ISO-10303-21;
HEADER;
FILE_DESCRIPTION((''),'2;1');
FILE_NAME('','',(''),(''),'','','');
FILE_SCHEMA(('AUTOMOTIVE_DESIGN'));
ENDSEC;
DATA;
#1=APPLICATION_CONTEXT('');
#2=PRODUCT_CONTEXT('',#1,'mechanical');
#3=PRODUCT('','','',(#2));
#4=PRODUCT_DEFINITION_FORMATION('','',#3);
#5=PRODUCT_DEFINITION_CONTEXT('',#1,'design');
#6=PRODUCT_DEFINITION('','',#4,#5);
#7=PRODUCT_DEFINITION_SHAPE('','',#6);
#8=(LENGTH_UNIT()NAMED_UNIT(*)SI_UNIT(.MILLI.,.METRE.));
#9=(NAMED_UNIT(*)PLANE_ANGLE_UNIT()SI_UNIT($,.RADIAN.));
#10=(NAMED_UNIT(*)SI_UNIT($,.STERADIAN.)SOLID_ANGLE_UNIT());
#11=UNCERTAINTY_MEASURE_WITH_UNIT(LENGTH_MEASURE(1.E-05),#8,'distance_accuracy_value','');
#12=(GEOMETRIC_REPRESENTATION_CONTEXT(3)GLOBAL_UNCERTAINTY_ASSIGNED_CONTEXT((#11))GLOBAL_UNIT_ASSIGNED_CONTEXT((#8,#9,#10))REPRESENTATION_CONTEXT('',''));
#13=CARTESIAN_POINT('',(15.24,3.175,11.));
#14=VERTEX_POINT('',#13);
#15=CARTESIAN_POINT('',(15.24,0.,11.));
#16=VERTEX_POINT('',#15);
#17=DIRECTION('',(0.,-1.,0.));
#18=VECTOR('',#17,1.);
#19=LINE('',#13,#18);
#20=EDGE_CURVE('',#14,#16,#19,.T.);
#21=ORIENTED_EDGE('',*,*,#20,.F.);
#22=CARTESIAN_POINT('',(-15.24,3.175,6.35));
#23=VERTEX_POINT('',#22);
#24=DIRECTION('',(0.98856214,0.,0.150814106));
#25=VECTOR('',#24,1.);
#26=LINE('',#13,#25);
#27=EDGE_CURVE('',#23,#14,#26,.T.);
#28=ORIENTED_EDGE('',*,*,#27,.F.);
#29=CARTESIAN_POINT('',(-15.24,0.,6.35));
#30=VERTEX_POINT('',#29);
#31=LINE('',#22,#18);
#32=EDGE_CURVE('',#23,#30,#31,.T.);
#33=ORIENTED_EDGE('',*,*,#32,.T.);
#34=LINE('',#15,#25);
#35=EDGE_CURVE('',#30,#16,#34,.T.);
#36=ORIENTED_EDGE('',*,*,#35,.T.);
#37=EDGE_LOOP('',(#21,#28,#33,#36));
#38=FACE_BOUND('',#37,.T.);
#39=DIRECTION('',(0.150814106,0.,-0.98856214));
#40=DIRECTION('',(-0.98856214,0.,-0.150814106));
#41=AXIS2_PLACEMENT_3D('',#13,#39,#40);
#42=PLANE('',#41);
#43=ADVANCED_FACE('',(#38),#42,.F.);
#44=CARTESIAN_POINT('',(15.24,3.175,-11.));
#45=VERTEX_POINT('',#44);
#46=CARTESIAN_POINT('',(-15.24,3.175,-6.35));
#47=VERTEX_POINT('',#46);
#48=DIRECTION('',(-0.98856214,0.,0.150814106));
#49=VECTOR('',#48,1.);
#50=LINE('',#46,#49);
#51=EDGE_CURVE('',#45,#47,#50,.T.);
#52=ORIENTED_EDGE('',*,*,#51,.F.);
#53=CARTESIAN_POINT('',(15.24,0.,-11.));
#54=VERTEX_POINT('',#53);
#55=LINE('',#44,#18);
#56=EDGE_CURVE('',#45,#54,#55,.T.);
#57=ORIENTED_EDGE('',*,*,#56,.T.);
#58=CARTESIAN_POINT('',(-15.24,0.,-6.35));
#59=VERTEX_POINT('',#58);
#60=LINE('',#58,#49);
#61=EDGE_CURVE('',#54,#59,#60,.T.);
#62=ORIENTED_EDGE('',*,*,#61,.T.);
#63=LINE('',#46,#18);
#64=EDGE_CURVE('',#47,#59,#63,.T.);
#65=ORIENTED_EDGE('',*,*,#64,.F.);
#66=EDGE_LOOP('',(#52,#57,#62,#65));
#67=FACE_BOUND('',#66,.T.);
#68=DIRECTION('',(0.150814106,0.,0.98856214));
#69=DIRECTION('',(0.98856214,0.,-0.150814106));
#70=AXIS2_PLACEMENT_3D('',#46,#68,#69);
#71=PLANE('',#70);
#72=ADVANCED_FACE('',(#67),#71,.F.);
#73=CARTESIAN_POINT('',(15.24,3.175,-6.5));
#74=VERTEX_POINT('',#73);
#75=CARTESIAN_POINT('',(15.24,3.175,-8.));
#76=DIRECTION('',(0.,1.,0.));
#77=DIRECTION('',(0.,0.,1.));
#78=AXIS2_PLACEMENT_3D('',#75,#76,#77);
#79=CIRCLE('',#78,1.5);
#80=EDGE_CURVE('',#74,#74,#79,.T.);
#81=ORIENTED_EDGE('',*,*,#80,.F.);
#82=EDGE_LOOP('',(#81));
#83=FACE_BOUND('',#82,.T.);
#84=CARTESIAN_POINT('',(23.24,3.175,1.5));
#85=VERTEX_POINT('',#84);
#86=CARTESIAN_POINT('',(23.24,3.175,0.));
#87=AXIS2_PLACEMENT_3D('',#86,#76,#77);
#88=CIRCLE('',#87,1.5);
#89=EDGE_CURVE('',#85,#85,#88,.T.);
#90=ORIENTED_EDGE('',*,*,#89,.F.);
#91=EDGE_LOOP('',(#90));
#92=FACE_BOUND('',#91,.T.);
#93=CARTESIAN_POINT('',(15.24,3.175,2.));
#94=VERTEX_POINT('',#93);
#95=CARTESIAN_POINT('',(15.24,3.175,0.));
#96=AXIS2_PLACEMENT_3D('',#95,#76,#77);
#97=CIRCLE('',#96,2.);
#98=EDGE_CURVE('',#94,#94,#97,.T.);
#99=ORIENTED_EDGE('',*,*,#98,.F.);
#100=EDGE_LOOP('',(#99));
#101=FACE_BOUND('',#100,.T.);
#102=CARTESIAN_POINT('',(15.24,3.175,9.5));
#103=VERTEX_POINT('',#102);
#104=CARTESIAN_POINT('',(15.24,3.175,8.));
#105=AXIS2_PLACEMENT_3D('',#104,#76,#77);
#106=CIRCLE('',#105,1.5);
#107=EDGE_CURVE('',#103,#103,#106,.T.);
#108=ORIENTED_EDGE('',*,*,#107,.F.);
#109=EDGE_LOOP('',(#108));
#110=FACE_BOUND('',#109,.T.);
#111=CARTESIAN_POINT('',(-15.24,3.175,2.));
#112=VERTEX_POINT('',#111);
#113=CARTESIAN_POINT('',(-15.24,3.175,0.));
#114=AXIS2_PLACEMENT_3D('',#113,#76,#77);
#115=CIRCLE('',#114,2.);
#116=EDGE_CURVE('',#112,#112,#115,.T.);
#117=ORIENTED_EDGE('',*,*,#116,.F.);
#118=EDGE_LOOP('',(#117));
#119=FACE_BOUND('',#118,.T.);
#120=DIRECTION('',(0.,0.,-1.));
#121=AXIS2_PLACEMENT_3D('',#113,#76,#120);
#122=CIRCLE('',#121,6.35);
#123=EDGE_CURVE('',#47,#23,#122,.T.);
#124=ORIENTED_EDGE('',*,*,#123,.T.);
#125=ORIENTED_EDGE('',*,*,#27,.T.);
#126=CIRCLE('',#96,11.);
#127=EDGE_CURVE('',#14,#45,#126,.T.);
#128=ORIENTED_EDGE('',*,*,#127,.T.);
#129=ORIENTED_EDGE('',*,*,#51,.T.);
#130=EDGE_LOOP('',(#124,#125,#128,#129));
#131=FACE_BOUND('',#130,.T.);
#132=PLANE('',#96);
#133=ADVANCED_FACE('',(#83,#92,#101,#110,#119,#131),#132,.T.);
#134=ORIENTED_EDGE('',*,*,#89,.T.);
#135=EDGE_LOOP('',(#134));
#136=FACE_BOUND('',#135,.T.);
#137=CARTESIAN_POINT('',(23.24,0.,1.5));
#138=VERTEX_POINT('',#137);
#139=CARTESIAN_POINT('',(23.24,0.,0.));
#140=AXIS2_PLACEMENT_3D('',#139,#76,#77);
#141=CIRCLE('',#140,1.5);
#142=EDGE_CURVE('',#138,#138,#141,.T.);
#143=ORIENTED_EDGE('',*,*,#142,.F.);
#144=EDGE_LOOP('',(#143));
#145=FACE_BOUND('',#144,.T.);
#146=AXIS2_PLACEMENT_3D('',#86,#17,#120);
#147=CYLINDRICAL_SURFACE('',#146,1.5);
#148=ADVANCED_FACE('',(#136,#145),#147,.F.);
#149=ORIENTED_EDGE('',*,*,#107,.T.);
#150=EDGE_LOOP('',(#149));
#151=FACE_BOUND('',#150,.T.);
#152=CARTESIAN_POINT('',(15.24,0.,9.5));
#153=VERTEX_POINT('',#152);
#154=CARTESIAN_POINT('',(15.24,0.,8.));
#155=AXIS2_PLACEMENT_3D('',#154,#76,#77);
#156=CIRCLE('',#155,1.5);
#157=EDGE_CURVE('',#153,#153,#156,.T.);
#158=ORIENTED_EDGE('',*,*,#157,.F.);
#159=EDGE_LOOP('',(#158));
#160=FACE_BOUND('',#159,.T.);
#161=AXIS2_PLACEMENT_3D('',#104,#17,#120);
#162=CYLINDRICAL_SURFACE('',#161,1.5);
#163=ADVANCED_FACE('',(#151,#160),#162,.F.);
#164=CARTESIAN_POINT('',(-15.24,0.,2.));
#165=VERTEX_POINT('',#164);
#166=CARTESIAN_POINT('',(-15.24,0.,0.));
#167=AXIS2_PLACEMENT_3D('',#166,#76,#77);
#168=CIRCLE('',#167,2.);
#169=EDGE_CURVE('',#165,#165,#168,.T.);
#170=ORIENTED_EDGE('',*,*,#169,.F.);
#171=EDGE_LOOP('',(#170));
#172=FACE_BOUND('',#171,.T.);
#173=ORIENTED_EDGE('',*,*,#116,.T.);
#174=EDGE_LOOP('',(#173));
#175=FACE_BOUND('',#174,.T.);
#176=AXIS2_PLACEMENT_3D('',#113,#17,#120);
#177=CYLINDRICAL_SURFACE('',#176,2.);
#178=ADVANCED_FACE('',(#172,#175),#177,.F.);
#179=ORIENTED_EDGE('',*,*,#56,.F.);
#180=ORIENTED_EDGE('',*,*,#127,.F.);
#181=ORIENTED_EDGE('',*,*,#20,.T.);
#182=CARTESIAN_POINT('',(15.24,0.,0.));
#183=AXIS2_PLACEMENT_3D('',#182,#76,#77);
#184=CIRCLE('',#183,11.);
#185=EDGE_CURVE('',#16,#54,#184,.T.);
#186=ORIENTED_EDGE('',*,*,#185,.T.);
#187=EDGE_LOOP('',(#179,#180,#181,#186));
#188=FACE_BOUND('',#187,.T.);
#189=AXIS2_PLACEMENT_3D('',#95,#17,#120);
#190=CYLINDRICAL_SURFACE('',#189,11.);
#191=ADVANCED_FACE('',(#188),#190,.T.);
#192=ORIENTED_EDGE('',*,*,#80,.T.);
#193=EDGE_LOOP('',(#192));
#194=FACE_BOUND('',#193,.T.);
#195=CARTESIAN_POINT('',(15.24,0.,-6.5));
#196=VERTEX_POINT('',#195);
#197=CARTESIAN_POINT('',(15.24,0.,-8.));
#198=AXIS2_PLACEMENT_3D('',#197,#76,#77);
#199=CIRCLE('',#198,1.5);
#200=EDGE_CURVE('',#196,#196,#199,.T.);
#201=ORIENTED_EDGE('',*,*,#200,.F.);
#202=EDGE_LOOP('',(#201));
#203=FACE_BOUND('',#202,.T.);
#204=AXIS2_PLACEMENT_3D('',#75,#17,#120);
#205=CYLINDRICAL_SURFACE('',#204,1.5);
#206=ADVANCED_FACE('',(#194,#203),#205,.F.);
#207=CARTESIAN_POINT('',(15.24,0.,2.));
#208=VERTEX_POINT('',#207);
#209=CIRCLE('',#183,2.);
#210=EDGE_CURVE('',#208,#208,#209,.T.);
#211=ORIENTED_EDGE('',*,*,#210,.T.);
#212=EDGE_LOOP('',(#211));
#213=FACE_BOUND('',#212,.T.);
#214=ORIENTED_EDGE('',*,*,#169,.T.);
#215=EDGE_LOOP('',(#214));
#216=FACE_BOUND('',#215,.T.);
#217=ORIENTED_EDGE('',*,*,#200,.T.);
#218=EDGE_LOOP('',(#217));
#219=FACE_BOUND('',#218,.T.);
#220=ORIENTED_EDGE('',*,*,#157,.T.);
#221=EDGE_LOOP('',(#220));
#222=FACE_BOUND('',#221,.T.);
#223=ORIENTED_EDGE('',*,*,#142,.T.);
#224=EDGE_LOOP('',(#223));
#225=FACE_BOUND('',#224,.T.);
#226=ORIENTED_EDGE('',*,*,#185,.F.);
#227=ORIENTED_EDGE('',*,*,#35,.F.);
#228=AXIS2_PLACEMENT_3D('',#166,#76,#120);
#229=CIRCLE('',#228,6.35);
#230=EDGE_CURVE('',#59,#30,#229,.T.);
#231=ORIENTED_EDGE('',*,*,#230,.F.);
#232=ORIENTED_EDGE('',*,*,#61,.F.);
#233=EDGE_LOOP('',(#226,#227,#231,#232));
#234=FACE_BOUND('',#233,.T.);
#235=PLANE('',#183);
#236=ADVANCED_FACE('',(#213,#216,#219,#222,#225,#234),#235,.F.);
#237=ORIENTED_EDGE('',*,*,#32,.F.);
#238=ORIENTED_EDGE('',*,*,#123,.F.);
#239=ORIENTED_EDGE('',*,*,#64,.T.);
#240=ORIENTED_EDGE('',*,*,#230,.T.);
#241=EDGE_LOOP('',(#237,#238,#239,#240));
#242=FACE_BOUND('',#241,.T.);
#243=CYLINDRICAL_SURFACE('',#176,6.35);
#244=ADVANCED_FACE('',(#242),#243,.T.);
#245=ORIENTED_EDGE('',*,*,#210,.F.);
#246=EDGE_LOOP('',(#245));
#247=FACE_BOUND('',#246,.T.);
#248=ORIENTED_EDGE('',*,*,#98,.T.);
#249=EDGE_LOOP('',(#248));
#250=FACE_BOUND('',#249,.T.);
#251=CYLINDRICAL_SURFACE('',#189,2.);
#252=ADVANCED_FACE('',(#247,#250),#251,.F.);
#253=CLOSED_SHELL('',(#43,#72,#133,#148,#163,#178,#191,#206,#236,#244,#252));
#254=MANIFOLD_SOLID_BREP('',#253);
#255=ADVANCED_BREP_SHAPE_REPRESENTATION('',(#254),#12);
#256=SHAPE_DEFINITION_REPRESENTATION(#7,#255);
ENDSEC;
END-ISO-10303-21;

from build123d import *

# Parameters (mm, degrees)
SKETCH1_R           = 2.000000064
SKETCH1_R_2         = 1.5
BOSS_EXTRUDE1_DEPTH = 3.175


with BuildPart() as part:
    # Sketch1 → Boss-Extrude1 (new body)
    with BuildSketch(Plane(origin=(0, 0, 0), x_dir=(1, 0, 0), z_dir=(0, 1, 0))):
        with BuildLine():
            Line((15.24, -11), (-15.24, -6.35))
            ThreePointArc((-15.24, -6.35), (-21.59, 0), (-15.24, 6.35))
            Line((-15.24, 6.35), (15.24, 11))
            ThreePointArc((15.24, 11), (26.24, 0), (15.24, -11))
        make_face()
        with Locations((-15.24, 0)):
            Circle(SKETCH1_R, mode=Mode.SUBTRACT)
        with Locations((15.24, 0)):
            Circle(SKETCH1_R, mode=Mode.SUBTRACT)
        with Locations((15.24, 8)):
            Circle(SKETCH1_R_2, mode=Mode.SUBTRACT)
        with Locations((23.24, 0)):
            Circle(SKETCH1_R_2, mode=Mode.SUBTRACT)
        with Locations((15.24, -8)):
            Circle(SKETCH1_R_2, mode=Mode.SUBTRACT)
    extrude(amount=BOSS_EXTRUDE1_DEPTH)


solid = part.part
